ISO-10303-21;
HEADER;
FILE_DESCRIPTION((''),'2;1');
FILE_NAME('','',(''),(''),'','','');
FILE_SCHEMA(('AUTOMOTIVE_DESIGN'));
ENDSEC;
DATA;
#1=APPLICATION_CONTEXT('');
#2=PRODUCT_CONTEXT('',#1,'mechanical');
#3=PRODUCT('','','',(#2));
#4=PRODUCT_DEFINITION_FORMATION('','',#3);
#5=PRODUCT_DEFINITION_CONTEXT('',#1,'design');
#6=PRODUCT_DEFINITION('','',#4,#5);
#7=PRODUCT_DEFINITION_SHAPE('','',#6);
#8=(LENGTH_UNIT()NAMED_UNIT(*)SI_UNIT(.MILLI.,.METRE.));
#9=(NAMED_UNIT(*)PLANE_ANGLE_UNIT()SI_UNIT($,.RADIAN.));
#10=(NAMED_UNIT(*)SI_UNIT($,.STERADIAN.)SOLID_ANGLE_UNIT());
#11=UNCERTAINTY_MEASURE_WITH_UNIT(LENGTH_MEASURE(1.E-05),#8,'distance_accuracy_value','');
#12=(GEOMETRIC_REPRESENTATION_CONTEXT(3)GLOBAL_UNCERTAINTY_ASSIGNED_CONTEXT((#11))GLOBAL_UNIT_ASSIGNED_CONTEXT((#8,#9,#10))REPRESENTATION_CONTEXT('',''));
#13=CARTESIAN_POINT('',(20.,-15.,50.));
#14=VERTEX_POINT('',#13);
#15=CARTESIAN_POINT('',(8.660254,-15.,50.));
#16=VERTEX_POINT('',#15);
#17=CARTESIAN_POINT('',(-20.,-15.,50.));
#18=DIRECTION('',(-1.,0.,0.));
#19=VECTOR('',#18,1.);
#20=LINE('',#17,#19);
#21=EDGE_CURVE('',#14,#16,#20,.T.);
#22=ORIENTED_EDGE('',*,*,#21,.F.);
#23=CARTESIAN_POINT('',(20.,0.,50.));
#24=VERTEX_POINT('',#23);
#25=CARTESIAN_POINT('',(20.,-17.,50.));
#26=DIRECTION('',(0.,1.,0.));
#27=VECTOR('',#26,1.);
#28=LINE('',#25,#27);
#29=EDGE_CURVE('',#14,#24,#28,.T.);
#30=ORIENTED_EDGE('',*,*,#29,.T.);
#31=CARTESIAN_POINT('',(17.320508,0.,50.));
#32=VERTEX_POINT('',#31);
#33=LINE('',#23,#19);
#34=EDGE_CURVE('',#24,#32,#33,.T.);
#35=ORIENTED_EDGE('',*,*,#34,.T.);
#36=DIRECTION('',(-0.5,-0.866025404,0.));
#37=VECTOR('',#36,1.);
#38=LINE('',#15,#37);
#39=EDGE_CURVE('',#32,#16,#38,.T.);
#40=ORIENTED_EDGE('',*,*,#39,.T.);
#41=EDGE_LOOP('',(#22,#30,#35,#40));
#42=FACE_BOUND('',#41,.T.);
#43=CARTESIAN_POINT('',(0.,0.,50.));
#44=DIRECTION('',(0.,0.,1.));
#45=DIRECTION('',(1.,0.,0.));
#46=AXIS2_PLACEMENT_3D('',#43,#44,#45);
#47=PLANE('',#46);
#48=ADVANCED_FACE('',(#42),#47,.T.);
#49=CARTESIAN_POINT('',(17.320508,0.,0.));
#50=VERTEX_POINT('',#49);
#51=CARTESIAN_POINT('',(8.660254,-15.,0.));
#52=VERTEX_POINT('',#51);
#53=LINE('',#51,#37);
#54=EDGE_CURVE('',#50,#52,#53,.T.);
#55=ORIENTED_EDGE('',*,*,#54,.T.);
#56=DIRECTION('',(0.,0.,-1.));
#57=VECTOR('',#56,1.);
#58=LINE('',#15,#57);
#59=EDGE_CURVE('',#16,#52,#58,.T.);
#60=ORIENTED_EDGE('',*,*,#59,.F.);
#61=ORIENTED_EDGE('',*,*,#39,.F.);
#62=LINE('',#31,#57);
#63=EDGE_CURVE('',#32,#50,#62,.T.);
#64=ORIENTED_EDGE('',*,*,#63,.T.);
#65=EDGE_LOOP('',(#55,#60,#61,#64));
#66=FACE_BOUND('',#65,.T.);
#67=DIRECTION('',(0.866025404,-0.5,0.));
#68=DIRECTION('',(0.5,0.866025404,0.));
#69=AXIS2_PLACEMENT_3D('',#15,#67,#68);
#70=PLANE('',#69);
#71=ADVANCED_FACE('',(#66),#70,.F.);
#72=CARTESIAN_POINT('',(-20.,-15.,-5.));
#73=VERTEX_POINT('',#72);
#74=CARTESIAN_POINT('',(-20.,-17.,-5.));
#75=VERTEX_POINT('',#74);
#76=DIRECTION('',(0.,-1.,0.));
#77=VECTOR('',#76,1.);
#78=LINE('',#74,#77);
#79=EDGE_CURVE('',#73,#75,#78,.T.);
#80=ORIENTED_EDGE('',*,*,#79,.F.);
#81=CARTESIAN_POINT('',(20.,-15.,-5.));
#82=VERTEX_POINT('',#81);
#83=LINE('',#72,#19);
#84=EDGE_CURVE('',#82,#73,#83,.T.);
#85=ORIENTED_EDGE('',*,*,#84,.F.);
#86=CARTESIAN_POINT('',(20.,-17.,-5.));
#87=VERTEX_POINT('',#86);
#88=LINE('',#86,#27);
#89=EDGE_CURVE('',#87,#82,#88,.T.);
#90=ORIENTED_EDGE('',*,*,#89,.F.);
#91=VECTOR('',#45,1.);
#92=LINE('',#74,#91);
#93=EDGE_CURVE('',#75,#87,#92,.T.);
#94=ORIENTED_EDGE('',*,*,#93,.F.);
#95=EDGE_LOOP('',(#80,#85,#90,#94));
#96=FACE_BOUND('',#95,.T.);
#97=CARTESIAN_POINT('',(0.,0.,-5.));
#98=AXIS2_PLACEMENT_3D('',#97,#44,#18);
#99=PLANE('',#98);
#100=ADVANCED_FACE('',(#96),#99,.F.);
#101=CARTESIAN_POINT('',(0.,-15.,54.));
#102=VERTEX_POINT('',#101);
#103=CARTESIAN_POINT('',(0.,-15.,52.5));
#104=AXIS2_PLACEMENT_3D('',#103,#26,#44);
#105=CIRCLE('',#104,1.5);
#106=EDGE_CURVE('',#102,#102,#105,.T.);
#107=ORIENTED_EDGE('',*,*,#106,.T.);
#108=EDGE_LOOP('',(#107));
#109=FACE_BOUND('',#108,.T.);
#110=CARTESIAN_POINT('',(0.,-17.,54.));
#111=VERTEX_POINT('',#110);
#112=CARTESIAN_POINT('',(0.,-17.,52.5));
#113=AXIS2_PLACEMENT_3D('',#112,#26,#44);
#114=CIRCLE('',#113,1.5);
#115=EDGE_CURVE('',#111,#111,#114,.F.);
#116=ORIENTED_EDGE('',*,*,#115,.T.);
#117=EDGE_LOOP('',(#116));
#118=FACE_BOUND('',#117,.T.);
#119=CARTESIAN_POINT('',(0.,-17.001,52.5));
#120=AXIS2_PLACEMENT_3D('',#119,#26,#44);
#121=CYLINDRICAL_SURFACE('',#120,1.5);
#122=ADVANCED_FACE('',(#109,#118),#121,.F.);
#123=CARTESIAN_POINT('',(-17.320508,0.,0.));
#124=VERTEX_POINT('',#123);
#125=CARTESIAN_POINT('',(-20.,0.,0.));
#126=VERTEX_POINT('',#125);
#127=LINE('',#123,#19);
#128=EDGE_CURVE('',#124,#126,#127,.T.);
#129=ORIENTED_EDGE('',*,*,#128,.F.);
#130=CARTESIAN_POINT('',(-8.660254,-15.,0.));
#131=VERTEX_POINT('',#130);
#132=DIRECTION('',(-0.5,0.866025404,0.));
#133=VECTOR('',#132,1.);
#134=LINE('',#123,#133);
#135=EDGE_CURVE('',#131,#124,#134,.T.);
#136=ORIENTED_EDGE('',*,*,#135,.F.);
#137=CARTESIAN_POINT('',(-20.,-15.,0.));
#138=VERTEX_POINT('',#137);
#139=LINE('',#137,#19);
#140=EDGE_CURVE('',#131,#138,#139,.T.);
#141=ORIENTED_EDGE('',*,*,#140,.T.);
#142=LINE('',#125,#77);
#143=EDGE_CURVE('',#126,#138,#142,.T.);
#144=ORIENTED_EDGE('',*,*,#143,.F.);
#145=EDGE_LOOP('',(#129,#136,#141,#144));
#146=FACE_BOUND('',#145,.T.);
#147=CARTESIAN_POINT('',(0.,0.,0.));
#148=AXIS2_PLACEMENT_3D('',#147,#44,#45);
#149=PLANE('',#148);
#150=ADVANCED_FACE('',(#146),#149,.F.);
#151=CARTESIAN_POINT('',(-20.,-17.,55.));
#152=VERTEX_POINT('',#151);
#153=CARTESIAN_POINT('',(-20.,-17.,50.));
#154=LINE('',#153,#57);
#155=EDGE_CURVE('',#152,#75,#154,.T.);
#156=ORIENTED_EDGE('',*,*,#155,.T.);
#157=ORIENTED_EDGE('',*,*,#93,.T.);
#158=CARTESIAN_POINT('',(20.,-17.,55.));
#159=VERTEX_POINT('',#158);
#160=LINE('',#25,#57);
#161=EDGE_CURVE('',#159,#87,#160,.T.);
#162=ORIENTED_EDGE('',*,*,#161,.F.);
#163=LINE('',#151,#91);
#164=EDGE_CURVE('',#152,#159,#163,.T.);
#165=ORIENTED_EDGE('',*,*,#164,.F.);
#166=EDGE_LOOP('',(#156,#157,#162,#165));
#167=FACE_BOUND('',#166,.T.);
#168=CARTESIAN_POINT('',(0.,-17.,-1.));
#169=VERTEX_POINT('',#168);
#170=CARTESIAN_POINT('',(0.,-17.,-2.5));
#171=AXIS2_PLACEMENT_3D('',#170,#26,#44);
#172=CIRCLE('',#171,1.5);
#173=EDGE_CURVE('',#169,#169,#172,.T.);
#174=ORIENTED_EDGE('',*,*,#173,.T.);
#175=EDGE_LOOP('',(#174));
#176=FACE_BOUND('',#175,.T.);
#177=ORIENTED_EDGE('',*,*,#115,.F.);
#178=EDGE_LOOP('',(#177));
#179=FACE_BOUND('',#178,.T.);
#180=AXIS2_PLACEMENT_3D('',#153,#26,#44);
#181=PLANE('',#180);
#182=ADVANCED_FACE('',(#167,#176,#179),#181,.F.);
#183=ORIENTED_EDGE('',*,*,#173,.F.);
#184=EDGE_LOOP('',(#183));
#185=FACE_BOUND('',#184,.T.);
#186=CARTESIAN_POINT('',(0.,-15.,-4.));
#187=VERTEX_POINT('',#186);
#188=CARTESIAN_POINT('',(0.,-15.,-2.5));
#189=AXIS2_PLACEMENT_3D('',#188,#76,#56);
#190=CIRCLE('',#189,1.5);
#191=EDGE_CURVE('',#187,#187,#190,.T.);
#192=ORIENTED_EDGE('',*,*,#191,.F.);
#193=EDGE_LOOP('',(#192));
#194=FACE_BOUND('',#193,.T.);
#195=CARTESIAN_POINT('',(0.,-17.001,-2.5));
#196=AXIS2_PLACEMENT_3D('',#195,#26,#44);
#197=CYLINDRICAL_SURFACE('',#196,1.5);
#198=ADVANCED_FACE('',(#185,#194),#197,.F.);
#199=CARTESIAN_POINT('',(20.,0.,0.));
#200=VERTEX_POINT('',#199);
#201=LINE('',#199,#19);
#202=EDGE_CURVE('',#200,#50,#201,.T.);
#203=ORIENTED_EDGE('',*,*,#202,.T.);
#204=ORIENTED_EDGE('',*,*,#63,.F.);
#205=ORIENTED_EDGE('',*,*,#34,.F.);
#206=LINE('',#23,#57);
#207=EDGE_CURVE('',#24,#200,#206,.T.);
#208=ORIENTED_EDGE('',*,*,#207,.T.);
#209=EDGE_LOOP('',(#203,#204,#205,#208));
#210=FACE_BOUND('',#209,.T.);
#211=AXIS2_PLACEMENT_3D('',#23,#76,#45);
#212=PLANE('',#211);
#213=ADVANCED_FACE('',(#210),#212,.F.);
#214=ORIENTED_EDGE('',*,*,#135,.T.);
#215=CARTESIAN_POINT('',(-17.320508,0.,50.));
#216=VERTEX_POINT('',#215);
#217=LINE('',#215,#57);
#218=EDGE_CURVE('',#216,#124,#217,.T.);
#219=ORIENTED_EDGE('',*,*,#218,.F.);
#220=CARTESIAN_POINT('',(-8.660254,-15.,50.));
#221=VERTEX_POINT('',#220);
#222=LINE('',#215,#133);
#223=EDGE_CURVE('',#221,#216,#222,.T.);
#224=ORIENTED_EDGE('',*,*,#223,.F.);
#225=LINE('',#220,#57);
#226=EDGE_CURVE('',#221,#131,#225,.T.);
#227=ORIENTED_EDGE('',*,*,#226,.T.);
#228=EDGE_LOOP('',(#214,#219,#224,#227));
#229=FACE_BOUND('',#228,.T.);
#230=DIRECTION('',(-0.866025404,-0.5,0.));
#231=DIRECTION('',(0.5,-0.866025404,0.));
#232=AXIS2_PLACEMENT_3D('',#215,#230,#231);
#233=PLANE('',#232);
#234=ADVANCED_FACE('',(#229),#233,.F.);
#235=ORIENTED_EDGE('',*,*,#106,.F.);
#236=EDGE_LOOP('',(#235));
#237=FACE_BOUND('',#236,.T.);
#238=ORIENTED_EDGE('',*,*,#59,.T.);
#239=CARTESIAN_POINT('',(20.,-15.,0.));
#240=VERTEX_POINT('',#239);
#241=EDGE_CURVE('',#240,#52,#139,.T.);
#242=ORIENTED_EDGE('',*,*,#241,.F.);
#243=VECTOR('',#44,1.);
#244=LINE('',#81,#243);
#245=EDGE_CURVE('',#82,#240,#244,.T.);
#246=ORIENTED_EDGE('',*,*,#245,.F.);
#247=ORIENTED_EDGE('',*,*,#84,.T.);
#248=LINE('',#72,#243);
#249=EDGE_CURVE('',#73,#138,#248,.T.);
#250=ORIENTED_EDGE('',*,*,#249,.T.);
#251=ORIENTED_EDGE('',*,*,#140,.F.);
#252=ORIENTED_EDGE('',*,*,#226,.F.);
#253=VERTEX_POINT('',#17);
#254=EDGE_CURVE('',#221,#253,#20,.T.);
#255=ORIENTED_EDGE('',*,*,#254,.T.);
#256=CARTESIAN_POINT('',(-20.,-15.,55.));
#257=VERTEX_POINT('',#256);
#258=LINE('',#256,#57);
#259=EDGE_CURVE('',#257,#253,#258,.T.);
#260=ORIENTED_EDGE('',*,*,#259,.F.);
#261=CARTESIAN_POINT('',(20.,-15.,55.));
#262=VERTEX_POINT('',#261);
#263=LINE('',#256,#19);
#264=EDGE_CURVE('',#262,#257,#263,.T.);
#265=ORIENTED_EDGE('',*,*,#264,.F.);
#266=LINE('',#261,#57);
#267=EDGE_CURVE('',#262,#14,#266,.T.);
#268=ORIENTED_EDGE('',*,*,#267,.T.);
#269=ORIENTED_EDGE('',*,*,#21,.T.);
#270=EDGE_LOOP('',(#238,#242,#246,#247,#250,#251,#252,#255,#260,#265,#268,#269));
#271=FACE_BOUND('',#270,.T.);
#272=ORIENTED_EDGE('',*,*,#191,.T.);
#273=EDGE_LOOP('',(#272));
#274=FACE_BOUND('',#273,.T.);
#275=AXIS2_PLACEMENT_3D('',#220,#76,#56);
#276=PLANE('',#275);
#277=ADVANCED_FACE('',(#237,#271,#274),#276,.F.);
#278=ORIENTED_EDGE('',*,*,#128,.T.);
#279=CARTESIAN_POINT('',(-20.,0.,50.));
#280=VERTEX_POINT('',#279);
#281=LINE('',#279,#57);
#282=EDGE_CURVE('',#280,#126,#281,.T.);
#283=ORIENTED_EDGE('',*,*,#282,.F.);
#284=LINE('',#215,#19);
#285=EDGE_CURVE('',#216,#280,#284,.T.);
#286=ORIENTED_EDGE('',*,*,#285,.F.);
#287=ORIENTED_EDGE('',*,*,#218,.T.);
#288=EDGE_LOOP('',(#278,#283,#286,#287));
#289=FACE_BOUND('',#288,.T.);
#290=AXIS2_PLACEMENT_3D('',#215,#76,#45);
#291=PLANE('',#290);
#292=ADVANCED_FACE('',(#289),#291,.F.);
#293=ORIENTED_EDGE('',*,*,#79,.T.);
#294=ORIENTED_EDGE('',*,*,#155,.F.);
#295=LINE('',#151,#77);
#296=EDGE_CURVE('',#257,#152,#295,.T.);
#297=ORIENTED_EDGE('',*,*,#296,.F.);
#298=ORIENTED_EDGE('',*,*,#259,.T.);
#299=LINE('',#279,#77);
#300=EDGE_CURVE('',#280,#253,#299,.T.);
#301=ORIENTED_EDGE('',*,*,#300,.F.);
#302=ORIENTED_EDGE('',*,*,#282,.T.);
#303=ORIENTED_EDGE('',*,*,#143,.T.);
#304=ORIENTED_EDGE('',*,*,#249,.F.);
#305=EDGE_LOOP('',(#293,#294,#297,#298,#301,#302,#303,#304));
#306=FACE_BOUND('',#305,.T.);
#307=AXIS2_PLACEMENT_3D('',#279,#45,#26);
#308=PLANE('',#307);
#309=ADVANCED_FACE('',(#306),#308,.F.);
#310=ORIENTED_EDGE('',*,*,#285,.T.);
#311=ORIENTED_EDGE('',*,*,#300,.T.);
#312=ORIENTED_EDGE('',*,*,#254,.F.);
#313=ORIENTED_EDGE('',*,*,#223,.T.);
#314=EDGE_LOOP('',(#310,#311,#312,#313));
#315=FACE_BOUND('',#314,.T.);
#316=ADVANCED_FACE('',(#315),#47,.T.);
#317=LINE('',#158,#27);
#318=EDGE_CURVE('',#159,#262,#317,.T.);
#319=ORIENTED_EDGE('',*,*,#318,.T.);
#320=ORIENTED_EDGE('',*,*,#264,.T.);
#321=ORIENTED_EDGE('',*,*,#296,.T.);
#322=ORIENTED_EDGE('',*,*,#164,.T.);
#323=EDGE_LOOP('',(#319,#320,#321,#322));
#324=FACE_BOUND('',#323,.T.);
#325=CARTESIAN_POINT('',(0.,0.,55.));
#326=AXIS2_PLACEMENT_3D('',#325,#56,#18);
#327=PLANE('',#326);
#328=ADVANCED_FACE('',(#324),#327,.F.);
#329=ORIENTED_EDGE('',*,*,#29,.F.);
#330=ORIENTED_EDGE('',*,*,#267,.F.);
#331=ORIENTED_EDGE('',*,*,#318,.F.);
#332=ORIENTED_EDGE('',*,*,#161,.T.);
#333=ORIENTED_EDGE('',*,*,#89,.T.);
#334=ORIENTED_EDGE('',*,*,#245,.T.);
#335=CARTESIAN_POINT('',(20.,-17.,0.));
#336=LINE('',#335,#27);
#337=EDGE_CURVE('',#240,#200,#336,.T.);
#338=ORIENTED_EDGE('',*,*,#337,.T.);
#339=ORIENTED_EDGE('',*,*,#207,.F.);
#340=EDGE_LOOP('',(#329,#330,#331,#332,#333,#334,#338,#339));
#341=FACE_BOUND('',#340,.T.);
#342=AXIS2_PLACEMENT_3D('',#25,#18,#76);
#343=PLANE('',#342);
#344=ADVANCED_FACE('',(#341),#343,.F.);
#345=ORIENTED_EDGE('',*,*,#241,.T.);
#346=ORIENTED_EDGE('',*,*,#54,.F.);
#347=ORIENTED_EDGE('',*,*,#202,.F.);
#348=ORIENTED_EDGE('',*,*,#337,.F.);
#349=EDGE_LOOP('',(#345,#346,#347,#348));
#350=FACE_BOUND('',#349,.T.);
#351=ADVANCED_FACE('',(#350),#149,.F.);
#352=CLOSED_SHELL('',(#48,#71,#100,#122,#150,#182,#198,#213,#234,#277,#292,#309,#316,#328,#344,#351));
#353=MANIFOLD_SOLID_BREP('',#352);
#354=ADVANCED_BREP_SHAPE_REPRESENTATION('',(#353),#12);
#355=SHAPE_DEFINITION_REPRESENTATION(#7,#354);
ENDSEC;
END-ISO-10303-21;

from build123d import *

# Parameters (mm, degrees)
BOSS_EXTRUDE1_DEPTH = 50
SKETCH3_W           = 40
SKETCH3_H           = 2
BOSS_EXTRUDE2_DEPTH = 5
CUT_EXTRUDE1_REACH  = 62.415
SKETCH4_R           = 1.5


with BuildPart() as part:
    # Sketch1 → Boss-Extrude1 (new body)
    with BuildSketch(Plane.XY):
        Polygon((8.660254038, -15), (17.320508076, 0), (20, 0), (20, -17), (-20, -17), (-20, 0), (-17.320508076, 0), (-8.660254038, -15), align=None)
    extrude(amount=BOSS_EXTRUDE1_DEPTH)

    # Sketch3 → Boss-Extrude2 (add)
    with BuildSketch(Plane.XY.offset(50)):
        with Locations((0, -16)):
            Rectangle(SKETCH3_W, SKETCH3_H)
    boss_extrude2 = extrude(amount=BOSS_EXTRUDE2_DEPTH)

    # Sketch4 → Cut-Extrude1 (cut, up to next)
    with BuildSketch(Plane(origin=(0, -15, 0), x_dir=(1, 0, 0), z_dir=(0, 1, 0)), mode=Mode.PRIVATE) as cut_extrude1_sk1:
        with Locations(Location((0, -52.5, 0), (0, 0, 270))):
            Circle(SKETCH4_R)
    cut_extrude1_tool1 = extrude(cut_extrude1_sk1.sketch, amount=-CUT_EXTRUDE1_REACH, mode=Mode.PRIVATE) & part.part
    cut_extrude1 = cut_extrude1_tool1.solids().sort_by_distance((0, -15, 52.5))[0]
    add(cut_extrude1, mode=Mode.SUBTRACT)

    # Mirror1: Boss-Extrude2, Cut-Extrude1 across plane
    add(boss_extrude2.mirror(Plane.XY.offset(25)))
    add(cut_extrude1.mirror(Plane.XY.offset(25)), mode=Mode.SUBTRACT)


solid = part.part
